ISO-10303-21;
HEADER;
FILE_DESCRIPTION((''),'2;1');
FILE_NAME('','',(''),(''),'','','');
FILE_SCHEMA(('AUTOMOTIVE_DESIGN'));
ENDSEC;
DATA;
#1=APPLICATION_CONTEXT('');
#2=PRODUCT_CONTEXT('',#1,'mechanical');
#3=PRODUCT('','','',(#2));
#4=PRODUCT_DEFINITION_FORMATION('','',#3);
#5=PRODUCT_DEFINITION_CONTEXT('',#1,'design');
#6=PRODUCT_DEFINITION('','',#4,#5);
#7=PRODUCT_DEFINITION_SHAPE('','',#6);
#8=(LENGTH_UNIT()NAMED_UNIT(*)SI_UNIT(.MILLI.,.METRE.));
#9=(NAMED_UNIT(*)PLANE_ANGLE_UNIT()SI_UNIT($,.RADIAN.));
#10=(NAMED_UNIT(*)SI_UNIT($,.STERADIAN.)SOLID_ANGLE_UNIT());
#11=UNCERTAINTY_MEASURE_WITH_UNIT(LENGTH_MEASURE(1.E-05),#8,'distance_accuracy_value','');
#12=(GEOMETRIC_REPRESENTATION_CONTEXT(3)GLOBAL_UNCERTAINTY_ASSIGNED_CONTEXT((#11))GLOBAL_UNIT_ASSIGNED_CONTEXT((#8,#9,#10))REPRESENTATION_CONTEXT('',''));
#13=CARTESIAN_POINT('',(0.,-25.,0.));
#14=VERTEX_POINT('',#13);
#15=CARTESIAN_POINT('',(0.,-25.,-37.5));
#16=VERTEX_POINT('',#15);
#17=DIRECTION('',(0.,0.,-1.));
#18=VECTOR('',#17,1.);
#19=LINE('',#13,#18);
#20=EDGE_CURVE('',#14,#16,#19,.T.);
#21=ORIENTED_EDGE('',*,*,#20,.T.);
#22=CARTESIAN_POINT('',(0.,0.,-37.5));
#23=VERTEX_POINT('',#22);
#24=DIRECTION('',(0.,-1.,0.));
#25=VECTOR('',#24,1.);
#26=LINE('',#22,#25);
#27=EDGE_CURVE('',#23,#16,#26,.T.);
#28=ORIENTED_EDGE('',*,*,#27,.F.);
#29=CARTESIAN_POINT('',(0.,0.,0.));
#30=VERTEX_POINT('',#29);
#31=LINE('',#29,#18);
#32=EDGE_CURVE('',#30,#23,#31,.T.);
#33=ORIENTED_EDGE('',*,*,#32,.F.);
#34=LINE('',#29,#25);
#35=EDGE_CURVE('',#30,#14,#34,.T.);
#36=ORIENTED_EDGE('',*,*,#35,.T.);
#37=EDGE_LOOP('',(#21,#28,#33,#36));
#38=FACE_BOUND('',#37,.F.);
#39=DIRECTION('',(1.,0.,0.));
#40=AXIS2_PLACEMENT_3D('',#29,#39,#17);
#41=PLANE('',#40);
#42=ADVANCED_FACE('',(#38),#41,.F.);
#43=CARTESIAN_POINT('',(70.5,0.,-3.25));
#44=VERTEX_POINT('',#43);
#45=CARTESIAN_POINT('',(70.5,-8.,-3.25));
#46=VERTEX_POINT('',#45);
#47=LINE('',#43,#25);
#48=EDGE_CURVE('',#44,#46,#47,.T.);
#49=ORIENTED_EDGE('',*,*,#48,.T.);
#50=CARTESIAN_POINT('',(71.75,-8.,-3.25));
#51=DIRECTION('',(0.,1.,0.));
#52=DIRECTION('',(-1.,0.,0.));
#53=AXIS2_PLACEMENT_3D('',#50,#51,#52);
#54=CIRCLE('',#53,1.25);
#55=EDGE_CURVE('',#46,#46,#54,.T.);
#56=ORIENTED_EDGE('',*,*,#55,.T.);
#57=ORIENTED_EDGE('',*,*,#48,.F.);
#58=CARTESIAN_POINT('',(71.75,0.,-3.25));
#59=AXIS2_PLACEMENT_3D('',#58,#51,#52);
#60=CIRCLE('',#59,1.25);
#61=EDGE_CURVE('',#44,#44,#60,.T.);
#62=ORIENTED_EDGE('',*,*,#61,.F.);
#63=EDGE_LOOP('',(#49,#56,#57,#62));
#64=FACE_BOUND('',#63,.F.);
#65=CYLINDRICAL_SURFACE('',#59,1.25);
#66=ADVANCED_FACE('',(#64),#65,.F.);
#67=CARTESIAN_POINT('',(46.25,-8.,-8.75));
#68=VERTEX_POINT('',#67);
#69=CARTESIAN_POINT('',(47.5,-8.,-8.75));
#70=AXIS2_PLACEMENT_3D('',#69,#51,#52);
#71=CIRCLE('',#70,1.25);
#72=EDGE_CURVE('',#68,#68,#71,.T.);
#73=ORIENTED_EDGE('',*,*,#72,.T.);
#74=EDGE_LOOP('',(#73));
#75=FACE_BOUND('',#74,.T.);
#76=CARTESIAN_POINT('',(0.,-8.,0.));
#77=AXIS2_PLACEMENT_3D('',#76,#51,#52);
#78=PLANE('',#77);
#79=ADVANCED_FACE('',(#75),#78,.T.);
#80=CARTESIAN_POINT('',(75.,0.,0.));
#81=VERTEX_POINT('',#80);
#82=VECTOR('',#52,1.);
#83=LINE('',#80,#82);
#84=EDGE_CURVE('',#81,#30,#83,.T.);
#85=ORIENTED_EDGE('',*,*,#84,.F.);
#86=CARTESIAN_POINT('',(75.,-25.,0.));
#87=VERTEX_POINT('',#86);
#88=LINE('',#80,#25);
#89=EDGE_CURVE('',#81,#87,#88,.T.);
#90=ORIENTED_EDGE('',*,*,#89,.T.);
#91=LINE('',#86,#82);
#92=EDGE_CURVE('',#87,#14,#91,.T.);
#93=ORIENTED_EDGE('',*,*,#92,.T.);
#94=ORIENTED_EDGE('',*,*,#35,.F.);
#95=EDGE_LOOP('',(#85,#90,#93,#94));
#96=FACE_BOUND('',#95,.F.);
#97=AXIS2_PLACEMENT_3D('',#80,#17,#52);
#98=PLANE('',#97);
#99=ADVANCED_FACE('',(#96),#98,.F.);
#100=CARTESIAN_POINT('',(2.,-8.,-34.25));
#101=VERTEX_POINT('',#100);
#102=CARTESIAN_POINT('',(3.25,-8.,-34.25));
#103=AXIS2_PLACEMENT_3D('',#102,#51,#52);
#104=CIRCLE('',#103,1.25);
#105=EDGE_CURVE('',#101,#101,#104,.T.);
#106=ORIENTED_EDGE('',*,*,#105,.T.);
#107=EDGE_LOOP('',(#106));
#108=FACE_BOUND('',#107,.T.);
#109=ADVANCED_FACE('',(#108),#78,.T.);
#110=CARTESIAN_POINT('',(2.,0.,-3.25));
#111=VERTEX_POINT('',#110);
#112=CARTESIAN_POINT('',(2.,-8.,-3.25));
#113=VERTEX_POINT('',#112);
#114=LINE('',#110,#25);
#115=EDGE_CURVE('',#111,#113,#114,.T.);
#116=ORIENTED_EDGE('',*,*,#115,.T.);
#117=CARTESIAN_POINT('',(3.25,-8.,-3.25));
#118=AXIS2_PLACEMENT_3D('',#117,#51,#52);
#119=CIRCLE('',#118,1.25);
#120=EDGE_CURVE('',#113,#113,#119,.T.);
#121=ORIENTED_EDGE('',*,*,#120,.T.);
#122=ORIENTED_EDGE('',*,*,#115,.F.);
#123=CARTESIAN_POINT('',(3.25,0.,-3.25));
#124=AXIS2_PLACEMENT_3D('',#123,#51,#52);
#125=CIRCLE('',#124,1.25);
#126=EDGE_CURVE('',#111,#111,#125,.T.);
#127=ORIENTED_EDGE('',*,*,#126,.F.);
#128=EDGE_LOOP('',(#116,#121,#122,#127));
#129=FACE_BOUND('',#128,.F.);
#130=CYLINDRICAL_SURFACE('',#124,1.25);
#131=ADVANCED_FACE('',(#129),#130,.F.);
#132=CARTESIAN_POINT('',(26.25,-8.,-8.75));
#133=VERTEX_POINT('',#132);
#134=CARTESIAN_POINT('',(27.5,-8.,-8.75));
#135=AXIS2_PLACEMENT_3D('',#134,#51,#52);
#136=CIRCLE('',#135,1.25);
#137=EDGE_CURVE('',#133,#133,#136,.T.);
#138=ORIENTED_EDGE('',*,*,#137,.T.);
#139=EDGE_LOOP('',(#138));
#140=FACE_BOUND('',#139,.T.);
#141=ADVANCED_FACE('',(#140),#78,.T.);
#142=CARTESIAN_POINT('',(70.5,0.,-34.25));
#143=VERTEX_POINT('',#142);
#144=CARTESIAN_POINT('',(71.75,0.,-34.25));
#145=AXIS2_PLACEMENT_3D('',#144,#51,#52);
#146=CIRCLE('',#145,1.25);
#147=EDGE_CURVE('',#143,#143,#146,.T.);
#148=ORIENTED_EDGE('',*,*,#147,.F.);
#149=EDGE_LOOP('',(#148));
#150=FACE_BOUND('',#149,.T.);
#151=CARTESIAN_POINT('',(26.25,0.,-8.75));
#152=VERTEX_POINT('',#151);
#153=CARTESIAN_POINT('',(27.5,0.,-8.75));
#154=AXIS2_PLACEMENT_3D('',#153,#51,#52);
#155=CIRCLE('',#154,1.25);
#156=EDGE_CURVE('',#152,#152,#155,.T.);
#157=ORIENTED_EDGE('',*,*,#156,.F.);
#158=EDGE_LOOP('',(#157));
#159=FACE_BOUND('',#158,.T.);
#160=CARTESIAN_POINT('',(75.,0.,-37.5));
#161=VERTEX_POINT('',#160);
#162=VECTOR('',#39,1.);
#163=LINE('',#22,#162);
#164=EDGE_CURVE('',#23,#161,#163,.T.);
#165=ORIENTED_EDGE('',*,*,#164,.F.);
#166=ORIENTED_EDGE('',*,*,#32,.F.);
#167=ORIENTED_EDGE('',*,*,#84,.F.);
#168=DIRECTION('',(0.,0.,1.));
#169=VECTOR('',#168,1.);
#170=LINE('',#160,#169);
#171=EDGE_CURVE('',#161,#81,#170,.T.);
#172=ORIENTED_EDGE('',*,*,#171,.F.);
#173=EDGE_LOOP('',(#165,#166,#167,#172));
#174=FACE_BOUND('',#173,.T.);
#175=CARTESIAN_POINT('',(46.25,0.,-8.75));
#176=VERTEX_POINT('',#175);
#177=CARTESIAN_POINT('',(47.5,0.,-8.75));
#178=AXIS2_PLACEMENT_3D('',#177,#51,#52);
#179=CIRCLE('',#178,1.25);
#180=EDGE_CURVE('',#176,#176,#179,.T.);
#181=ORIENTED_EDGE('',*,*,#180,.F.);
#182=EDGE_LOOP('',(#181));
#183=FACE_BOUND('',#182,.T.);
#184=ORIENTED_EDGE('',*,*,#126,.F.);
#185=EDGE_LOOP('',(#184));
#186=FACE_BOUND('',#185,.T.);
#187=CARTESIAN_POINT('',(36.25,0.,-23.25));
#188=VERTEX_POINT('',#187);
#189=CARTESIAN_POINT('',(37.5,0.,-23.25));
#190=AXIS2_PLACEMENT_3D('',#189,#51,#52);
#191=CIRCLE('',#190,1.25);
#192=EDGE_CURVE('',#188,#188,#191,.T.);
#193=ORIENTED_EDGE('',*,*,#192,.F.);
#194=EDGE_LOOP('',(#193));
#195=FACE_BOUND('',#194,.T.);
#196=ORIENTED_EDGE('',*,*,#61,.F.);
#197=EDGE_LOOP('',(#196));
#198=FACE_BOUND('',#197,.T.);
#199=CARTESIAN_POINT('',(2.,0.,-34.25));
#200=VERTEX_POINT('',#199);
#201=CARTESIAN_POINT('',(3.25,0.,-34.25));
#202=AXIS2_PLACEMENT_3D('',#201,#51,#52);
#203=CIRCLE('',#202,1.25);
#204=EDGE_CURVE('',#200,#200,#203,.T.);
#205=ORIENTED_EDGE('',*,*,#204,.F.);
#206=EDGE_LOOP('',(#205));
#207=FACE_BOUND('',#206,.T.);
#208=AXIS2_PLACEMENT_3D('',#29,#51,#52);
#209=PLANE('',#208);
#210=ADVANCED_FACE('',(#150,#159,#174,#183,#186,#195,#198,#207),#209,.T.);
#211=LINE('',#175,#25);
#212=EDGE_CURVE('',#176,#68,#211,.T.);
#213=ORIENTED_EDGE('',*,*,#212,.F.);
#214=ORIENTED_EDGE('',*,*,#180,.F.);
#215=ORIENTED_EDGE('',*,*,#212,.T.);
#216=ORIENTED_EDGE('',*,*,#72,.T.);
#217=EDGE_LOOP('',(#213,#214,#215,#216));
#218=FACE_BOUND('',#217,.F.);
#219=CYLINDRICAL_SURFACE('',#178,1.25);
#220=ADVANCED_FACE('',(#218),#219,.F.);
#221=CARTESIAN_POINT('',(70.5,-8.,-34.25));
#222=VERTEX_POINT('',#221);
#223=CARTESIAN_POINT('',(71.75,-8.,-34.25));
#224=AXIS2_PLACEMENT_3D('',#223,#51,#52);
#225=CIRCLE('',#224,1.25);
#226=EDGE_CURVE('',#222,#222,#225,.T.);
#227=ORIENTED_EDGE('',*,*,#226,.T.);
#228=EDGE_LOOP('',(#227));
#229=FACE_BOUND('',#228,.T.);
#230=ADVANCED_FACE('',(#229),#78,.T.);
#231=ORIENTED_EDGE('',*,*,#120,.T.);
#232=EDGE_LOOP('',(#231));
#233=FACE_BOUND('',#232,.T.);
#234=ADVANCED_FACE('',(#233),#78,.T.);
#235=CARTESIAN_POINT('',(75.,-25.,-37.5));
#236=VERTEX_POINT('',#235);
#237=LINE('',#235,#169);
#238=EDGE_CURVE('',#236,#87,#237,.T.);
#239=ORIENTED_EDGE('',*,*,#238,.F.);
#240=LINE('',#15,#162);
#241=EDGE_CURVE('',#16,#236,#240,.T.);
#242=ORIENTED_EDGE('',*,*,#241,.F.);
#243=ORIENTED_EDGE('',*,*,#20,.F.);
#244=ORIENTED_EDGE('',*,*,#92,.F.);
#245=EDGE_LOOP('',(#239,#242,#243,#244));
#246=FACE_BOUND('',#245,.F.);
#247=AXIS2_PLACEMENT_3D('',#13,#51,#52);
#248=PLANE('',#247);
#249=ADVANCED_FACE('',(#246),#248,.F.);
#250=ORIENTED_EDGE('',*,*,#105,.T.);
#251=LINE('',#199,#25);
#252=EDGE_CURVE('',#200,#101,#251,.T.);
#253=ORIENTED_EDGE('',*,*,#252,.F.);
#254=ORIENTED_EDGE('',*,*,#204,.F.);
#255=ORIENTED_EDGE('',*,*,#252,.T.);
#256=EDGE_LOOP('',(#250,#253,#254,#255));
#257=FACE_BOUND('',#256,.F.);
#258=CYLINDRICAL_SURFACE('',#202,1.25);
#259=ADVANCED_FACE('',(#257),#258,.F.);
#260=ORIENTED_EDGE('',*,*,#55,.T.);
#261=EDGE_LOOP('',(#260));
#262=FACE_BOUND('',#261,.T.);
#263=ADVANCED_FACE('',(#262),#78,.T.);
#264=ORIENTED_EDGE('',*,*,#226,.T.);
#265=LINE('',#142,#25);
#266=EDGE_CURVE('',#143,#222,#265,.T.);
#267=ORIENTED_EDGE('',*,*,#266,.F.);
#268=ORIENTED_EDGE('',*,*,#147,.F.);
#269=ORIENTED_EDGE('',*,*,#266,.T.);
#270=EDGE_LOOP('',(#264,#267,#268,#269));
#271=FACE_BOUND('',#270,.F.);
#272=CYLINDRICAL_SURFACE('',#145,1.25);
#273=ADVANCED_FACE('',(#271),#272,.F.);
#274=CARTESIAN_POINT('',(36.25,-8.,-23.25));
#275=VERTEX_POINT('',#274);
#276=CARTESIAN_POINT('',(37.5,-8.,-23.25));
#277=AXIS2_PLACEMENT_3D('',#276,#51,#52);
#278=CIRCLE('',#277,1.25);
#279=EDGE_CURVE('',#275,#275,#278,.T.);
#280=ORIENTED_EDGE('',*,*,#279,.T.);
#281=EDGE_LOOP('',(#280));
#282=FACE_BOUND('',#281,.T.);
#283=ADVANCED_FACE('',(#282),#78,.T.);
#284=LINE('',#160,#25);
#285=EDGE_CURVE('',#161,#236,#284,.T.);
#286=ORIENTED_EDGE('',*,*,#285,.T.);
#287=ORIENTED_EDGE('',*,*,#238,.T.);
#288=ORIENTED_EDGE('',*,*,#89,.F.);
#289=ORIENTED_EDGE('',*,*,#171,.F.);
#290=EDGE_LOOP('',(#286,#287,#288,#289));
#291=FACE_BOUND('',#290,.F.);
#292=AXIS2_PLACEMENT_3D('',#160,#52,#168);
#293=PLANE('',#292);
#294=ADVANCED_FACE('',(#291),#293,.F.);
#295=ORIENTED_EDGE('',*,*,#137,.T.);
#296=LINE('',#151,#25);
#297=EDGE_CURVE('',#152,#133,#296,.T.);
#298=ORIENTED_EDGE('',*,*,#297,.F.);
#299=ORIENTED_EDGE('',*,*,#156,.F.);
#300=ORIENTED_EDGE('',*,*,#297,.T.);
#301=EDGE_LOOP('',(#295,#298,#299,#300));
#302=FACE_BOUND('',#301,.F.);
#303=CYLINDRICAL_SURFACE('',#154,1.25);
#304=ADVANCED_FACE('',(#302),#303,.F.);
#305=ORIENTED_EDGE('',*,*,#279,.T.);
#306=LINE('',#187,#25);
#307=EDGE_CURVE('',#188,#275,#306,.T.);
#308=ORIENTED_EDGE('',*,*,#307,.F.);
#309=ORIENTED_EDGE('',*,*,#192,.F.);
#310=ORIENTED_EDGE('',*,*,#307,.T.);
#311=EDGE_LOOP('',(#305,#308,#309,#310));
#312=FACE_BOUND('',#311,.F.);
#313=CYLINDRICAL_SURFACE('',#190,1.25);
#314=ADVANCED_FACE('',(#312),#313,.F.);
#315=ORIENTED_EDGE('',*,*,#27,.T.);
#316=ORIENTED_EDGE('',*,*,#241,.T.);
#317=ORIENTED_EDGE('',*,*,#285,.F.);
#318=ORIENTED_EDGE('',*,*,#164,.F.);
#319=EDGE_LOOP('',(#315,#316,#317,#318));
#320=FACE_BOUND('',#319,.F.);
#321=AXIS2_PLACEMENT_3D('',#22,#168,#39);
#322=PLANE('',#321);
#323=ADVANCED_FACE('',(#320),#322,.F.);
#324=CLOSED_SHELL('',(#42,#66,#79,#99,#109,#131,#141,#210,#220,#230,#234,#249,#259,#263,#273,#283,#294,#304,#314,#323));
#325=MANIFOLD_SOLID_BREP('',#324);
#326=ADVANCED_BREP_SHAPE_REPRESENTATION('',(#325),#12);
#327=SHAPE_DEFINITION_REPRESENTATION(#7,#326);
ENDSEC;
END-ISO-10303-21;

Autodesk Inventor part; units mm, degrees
ref_plane "YZ Plane" through (0, 0, 0) normal (1, 0, 0) x (0, 1, 0)
ref_plane "XZ Plane" through (0, 0, 0) normal (0, 1, 0) x (-1, 0, 0)
ref_plane "XY Plane" through (0, 0, 0) normal (0, 0, 1) x (1, 0, 0)
sketch "Sketch1" plane through (0, 0, 0) normal (0, 1, 0) x (-1, 0, 0)
  line L0 (0, -37.5) -> (-75, -37.5)
  line L1 (-75, -37.5) -> (-75, 0)
  line L2 (-75, 0) -> (0, 0)
  line L3 (0, 0) -> (0, -37.5)
  line L4 (-3.25, -34.25) -> (-71.75, -34.25) construction
  line L5 (-71.75, -34.25) -> (-71.75, -3.25) construction
  line L6 (-71.75, -3.25) -> (-3.25, -3.25) construction
  line L7 (-3.25, -3.25) -> (-3.25, -34.25) construction
  circle A0 centre (-3.25, -34.25) radius 1.25
  circle A1 centre (-37.5, -23.25) radius 1.25
  circle A2 centre (-3.25, -3.25) radius 1.25
  circle A3 centre (-71.75, -3.25) radius 1.25
  circle A4 centre (-71.75, -34.25) radius 1.25
  circle A5 centre (-47.5, -8.75) radius 1.25
  circle A6 centre (-27.5, -8.75) radius 1.25
  line L8 (-27.5, -8.75) -> (-47.5, -8.75) construction
  point P0 (-37.5, -34.25)
  point P1 (-37.5, -37.5)
  point P2 (-3.25, -18.75)
  point P3 (0, -18.75)
  point P4 (-37.5, -8.75)
  point P5 (-37.5, -3.25)
  dimension "d0" = 37.5
  dimension "d1" = 75
  dimension "d2" = 31
  dimension "d3" = 68.5
  dimension "d4" = 2.5
  dimension "d6" = 2.5
  dimension "d7" = 2.5
  dimension "d8" = 2.5
  dimension "d9" = 2.5
  dimension "d10" = 34.25
  dimension "d11" = 11
  dimension "d16" = 2.5
  dimension "d17" = 2.5
  dimension "d18" = 20
  dimension "d19" = 10
extrude "Extrusion1" add sketch "Sketch1" against normal blind 25 contours L0 L1 L2 L3 | A0 | A1 | A2 | A3 | A4 | A5 | A6
extrude "Extrusion2" cut sketch "Sketch1" against normal blind 8 contours A0 | A1 | A2 | A3 | A4 | A5 | A6
properties part number "heatsink-dual-CNC_3DPrint"
